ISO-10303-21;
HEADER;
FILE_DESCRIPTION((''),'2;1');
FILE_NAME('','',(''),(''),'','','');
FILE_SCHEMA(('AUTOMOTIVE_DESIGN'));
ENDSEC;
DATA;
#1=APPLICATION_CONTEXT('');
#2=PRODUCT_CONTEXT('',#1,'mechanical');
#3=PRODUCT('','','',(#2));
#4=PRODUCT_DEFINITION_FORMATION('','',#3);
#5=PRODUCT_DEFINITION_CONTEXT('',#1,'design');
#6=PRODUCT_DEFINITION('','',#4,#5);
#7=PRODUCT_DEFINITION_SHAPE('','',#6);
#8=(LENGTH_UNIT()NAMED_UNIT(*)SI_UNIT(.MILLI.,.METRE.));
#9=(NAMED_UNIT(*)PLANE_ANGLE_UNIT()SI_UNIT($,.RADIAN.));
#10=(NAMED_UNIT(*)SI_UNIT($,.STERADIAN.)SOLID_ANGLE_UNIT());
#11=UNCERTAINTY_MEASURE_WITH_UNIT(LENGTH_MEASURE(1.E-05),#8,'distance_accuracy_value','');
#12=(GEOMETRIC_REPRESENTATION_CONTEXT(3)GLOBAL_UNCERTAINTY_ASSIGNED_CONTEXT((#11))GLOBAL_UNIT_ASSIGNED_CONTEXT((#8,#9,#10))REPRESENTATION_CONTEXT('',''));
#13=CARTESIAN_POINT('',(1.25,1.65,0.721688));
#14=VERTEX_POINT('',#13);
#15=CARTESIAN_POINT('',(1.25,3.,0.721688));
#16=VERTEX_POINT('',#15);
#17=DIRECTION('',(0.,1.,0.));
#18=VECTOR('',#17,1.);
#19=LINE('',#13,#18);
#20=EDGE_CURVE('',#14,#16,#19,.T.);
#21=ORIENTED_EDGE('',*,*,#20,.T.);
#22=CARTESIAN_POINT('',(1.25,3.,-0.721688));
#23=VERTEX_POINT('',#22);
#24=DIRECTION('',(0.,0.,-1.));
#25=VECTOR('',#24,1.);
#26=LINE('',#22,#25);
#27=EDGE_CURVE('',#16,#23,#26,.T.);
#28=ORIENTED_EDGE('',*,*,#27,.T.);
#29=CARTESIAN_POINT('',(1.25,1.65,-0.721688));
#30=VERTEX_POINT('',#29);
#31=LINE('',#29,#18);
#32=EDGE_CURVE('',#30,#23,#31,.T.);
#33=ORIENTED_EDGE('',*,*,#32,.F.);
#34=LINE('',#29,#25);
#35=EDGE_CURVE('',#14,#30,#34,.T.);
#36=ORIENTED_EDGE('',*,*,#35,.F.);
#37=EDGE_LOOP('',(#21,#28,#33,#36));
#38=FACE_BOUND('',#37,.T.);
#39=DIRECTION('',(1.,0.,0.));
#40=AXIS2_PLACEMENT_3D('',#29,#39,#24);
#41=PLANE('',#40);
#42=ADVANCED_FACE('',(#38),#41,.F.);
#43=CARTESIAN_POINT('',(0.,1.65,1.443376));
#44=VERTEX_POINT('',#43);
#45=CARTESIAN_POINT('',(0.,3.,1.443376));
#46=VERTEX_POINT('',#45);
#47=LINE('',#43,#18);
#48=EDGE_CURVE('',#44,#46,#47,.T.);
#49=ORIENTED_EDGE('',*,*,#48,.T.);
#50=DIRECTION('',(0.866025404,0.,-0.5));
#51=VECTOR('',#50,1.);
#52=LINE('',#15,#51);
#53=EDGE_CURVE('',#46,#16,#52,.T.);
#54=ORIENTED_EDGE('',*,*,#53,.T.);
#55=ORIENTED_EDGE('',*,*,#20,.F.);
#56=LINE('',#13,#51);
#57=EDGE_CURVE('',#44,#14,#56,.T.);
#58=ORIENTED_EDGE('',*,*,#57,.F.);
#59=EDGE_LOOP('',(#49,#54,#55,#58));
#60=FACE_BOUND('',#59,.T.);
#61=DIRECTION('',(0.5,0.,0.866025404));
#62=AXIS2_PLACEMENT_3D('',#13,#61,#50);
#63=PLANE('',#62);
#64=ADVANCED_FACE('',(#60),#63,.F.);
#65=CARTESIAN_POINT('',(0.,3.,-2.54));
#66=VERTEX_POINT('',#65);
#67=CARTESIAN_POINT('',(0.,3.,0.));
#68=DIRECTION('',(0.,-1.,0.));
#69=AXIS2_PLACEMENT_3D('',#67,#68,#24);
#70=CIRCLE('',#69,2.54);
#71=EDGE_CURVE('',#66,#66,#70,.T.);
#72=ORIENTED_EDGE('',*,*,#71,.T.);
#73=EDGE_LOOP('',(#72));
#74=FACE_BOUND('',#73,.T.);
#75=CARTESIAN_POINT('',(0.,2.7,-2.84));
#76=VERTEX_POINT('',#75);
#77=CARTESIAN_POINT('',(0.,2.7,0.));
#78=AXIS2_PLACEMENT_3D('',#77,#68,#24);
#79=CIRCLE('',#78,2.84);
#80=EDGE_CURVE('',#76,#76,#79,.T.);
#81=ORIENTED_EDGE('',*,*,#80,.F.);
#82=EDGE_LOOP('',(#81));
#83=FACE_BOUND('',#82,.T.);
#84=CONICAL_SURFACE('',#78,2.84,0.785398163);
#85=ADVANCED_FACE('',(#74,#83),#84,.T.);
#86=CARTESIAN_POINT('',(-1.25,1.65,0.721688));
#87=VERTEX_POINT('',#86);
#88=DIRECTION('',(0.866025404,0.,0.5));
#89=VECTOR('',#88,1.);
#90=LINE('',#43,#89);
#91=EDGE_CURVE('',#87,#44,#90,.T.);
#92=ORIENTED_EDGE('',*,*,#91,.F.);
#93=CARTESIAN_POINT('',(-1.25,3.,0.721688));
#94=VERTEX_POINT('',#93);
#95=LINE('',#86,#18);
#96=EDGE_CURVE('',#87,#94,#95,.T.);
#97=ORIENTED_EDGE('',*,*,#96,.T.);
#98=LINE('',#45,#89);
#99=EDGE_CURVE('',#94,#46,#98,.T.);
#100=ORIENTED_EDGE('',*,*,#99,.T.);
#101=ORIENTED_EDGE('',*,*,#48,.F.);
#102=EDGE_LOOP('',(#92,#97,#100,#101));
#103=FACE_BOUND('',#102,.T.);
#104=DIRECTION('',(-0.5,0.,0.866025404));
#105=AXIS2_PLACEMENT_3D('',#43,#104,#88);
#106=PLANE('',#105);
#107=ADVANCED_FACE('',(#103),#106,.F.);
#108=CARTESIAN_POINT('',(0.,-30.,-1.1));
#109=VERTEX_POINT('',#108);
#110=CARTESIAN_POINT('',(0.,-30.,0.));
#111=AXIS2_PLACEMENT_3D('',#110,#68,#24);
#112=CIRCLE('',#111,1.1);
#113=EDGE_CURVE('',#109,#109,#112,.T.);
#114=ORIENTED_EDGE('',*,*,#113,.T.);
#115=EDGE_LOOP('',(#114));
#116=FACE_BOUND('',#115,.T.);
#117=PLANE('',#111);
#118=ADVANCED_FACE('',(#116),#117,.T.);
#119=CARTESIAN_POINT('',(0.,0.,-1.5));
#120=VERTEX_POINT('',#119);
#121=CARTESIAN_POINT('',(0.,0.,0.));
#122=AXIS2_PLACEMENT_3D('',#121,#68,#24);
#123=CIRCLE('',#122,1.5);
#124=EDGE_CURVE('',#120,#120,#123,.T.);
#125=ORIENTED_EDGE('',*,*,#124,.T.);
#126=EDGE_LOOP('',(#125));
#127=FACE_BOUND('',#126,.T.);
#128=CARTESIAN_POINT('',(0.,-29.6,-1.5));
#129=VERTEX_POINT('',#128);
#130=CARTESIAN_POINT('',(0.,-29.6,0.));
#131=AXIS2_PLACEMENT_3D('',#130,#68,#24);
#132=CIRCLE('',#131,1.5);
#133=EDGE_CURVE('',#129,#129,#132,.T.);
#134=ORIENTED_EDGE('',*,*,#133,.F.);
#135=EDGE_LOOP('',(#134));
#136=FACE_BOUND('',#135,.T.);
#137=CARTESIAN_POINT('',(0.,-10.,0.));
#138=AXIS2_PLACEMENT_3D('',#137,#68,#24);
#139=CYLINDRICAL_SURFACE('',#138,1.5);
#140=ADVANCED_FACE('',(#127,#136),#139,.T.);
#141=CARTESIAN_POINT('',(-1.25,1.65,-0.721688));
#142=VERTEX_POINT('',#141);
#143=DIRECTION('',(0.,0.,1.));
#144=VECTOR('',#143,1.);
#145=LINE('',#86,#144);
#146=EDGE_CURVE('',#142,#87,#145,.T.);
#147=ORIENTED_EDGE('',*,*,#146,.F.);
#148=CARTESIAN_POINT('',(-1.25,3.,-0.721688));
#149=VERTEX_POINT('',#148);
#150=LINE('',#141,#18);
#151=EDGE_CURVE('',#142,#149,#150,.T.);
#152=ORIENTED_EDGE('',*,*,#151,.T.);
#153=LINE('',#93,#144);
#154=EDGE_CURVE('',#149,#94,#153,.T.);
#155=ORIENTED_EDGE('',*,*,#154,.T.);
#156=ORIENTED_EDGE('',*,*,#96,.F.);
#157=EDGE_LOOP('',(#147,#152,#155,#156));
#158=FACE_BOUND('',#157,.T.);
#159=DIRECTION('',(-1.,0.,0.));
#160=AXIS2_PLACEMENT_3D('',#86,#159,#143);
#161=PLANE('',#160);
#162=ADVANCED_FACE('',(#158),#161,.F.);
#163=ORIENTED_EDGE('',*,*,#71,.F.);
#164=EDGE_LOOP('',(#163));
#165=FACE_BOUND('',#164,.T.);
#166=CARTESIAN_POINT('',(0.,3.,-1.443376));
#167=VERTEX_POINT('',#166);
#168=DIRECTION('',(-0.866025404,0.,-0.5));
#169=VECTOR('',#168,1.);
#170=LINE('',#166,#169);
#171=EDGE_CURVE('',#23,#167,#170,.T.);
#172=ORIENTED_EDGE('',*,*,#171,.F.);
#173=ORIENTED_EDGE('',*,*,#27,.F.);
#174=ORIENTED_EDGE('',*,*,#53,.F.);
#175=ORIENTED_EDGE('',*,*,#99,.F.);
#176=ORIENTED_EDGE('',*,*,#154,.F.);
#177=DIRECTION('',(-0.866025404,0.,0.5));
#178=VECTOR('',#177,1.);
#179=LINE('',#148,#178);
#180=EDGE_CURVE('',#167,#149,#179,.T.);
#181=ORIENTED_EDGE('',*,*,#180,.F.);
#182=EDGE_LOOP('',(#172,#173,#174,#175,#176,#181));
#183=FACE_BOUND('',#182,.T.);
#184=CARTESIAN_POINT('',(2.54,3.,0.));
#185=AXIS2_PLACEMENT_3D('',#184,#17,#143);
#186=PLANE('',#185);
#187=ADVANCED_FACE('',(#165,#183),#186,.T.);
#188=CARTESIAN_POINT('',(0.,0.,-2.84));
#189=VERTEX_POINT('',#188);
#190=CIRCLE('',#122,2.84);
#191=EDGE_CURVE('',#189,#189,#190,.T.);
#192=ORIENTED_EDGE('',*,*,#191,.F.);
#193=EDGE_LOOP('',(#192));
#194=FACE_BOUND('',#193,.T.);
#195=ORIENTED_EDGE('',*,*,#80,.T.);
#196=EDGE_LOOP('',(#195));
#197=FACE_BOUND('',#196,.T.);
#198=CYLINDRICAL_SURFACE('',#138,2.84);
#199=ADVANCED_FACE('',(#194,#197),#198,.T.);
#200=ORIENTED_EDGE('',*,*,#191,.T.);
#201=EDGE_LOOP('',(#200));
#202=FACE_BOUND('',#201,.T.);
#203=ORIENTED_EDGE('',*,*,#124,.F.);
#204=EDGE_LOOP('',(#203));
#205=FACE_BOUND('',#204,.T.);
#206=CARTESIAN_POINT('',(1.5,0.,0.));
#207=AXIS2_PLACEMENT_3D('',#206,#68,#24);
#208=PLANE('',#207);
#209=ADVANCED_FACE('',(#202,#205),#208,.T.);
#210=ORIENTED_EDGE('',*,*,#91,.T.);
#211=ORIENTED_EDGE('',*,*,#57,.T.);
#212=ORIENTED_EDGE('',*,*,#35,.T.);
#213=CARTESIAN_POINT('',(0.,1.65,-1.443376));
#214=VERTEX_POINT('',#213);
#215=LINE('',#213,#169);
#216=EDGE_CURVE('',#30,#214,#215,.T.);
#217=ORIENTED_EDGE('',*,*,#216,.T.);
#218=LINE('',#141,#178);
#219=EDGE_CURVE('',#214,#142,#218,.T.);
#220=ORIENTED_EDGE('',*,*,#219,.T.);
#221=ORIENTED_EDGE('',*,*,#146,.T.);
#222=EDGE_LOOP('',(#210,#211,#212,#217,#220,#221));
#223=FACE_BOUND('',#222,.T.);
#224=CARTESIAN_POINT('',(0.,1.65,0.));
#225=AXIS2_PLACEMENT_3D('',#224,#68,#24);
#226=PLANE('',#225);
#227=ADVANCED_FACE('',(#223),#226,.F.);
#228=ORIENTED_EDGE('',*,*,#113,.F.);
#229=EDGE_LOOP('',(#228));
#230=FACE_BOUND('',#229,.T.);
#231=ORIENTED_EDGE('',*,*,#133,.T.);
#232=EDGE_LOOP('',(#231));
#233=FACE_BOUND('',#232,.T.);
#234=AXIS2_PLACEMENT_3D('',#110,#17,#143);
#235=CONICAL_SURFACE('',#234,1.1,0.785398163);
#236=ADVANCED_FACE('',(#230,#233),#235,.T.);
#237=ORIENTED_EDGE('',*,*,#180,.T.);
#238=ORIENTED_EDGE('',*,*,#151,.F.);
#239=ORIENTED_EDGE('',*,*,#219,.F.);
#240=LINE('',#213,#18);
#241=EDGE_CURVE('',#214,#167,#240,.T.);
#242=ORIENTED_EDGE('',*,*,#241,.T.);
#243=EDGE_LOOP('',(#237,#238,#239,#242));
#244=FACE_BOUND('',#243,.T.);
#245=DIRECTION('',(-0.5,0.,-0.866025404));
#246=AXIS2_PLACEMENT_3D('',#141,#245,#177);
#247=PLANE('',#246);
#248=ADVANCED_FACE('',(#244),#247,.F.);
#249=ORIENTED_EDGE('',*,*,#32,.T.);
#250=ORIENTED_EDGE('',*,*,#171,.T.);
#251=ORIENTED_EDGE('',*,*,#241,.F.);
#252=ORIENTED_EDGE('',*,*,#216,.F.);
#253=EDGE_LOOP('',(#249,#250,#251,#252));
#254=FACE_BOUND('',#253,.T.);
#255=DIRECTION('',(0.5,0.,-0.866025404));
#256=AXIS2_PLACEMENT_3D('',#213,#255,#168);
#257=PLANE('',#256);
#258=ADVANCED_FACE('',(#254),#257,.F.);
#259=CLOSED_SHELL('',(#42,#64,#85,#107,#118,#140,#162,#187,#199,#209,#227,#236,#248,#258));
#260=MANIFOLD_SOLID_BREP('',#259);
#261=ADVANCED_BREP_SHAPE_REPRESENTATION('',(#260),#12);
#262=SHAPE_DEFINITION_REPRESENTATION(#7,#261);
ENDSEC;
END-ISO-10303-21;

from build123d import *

# Parameters (mm, degrees)
CUT_EXTRUDE1_DEPTH = 1.35


with BuildPart() as part:
    # Sketch1 → Revolve1 (revolve)
    with BuildSketch(Plane.XY, mode=Mode.PRIVATE) as revolve1_sk:
        Polygon((0, -30), (1.1, -30), (1.5, -29.6), (1.5, 0), (2.84, 0), (2.84, 2.7), (2.54, 3), (0, 3), align=None)
    revolve(revolve1_sk.sketch.rotate(Axis((0, -10, 0), (0, 1, 0)), 90), axis=Axis((0, -10, 0), (0, 1, 0)))

    # Sketch2 → Cut-Extrude1 (cut)
    with BuildSketch(Plane(origin=(0, 3, 0), x_dir=(1, 0, 0), z_dir=(0, 1, 0))):
        Polygon((1.25, -0.721687836), (0, -1.443375673), (-1.25, -0.721687836), (-1.25, 0.721687836), (0, 1.443375673), (1.25, 0.721687836), align=None)
    extrude(amount=-CUT_EXTRUDE1_DEPTH, mode=Mode.SUBTRACT)


solid = part.part
